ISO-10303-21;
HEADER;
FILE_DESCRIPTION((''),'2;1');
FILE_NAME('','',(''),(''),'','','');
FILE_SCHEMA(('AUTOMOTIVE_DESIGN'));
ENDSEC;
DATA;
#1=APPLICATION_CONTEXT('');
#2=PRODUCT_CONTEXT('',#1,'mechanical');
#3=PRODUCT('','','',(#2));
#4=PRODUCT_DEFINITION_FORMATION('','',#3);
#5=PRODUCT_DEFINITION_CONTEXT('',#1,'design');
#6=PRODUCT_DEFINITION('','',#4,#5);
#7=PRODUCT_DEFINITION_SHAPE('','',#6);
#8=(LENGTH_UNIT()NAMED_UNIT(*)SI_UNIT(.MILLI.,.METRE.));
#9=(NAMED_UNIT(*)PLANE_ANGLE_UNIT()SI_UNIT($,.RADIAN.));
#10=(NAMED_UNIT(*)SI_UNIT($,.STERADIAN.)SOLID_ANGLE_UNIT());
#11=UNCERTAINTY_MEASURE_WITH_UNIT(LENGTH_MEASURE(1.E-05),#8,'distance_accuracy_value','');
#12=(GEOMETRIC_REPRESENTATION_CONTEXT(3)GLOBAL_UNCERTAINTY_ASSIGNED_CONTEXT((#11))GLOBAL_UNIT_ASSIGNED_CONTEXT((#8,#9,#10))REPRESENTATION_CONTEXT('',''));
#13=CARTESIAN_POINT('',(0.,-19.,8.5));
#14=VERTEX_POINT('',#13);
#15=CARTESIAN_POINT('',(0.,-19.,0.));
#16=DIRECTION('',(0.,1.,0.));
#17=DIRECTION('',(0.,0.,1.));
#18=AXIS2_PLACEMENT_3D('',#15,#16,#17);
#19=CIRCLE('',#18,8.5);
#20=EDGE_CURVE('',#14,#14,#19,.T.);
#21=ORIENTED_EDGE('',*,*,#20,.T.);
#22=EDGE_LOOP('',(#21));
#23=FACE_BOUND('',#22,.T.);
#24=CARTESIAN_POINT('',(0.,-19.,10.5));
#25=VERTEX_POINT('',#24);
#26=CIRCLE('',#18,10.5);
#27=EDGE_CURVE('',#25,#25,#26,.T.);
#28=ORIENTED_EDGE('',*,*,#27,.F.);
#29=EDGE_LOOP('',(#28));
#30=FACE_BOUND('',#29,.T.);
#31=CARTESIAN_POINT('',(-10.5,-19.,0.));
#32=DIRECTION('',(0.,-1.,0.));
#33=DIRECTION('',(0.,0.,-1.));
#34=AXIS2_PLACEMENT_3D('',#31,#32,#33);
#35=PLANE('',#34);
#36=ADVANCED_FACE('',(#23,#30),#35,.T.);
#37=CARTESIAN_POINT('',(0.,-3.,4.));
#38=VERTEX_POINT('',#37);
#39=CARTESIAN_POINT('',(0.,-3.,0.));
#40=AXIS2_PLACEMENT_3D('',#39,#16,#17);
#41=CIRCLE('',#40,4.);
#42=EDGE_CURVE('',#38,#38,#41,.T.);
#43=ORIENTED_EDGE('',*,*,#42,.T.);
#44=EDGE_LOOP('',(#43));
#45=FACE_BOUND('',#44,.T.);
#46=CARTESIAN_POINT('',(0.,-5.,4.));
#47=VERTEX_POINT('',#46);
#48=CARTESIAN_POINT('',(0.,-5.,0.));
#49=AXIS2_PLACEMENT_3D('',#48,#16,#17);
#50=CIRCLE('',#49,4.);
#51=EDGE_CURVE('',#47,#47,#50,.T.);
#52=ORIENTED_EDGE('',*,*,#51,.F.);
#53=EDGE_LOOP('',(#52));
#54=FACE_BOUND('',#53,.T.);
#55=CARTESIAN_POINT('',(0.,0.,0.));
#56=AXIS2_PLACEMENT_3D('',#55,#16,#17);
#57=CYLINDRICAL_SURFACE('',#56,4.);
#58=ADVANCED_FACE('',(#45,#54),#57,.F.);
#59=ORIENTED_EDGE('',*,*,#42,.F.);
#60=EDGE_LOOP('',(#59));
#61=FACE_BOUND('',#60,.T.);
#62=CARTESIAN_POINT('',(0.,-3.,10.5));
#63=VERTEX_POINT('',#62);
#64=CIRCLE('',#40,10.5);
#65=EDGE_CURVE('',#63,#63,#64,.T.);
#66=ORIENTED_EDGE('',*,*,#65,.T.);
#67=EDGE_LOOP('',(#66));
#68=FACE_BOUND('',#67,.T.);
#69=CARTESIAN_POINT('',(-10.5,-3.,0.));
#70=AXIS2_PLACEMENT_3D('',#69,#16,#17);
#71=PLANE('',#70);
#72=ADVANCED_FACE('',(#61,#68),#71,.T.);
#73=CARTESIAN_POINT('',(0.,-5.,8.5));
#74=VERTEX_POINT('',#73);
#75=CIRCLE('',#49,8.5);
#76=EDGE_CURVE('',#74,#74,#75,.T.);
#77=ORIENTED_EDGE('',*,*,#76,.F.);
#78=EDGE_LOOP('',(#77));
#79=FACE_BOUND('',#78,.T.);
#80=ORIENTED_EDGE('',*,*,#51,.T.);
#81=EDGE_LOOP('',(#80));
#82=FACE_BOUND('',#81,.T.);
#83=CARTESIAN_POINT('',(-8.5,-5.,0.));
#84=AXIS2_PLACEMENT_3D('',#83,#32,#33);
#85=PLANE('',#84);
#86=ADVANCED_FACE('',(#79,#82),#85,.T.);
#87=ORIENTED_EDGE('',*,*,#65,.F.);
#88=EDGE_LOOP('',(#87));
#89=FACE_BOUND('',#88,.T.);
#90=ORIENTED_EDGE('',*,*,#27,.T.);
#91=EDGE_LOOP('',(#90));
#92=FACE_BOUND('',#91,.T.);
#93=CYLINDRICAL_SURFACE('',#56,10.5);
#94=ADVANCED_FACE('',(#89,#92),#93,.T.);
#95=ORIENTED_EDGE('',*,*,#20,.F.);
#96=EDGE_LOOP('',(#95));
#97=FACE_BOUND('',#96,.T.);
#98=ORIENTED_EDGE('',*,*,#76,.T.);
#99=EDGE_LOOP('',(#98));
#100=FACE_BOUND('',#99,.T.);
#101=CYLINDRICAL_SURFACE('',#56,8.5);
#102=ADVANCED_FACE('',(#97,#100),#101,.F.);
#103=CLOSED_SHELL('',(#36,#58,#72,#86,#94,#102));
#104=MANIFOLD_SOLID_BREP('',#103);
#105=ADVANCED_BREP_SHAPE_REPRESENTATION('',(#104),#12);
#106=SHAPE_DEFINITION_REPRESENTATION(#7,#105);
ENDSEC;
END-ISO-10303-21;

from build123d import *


with BuildPart() as part:
    # Esquisse1 → Révolution1 (revolve)
    with BuildSketch(Plane.XY):
        Polygon((-10.5, -3), (-4, -3), (-4, -5), (-8.5, -5), (-8.5, -19), (-10.5, -19), align=None)
    revolve(axis=Axis((0, 0, 0), (0, -1, 0)))


solid = part.part
